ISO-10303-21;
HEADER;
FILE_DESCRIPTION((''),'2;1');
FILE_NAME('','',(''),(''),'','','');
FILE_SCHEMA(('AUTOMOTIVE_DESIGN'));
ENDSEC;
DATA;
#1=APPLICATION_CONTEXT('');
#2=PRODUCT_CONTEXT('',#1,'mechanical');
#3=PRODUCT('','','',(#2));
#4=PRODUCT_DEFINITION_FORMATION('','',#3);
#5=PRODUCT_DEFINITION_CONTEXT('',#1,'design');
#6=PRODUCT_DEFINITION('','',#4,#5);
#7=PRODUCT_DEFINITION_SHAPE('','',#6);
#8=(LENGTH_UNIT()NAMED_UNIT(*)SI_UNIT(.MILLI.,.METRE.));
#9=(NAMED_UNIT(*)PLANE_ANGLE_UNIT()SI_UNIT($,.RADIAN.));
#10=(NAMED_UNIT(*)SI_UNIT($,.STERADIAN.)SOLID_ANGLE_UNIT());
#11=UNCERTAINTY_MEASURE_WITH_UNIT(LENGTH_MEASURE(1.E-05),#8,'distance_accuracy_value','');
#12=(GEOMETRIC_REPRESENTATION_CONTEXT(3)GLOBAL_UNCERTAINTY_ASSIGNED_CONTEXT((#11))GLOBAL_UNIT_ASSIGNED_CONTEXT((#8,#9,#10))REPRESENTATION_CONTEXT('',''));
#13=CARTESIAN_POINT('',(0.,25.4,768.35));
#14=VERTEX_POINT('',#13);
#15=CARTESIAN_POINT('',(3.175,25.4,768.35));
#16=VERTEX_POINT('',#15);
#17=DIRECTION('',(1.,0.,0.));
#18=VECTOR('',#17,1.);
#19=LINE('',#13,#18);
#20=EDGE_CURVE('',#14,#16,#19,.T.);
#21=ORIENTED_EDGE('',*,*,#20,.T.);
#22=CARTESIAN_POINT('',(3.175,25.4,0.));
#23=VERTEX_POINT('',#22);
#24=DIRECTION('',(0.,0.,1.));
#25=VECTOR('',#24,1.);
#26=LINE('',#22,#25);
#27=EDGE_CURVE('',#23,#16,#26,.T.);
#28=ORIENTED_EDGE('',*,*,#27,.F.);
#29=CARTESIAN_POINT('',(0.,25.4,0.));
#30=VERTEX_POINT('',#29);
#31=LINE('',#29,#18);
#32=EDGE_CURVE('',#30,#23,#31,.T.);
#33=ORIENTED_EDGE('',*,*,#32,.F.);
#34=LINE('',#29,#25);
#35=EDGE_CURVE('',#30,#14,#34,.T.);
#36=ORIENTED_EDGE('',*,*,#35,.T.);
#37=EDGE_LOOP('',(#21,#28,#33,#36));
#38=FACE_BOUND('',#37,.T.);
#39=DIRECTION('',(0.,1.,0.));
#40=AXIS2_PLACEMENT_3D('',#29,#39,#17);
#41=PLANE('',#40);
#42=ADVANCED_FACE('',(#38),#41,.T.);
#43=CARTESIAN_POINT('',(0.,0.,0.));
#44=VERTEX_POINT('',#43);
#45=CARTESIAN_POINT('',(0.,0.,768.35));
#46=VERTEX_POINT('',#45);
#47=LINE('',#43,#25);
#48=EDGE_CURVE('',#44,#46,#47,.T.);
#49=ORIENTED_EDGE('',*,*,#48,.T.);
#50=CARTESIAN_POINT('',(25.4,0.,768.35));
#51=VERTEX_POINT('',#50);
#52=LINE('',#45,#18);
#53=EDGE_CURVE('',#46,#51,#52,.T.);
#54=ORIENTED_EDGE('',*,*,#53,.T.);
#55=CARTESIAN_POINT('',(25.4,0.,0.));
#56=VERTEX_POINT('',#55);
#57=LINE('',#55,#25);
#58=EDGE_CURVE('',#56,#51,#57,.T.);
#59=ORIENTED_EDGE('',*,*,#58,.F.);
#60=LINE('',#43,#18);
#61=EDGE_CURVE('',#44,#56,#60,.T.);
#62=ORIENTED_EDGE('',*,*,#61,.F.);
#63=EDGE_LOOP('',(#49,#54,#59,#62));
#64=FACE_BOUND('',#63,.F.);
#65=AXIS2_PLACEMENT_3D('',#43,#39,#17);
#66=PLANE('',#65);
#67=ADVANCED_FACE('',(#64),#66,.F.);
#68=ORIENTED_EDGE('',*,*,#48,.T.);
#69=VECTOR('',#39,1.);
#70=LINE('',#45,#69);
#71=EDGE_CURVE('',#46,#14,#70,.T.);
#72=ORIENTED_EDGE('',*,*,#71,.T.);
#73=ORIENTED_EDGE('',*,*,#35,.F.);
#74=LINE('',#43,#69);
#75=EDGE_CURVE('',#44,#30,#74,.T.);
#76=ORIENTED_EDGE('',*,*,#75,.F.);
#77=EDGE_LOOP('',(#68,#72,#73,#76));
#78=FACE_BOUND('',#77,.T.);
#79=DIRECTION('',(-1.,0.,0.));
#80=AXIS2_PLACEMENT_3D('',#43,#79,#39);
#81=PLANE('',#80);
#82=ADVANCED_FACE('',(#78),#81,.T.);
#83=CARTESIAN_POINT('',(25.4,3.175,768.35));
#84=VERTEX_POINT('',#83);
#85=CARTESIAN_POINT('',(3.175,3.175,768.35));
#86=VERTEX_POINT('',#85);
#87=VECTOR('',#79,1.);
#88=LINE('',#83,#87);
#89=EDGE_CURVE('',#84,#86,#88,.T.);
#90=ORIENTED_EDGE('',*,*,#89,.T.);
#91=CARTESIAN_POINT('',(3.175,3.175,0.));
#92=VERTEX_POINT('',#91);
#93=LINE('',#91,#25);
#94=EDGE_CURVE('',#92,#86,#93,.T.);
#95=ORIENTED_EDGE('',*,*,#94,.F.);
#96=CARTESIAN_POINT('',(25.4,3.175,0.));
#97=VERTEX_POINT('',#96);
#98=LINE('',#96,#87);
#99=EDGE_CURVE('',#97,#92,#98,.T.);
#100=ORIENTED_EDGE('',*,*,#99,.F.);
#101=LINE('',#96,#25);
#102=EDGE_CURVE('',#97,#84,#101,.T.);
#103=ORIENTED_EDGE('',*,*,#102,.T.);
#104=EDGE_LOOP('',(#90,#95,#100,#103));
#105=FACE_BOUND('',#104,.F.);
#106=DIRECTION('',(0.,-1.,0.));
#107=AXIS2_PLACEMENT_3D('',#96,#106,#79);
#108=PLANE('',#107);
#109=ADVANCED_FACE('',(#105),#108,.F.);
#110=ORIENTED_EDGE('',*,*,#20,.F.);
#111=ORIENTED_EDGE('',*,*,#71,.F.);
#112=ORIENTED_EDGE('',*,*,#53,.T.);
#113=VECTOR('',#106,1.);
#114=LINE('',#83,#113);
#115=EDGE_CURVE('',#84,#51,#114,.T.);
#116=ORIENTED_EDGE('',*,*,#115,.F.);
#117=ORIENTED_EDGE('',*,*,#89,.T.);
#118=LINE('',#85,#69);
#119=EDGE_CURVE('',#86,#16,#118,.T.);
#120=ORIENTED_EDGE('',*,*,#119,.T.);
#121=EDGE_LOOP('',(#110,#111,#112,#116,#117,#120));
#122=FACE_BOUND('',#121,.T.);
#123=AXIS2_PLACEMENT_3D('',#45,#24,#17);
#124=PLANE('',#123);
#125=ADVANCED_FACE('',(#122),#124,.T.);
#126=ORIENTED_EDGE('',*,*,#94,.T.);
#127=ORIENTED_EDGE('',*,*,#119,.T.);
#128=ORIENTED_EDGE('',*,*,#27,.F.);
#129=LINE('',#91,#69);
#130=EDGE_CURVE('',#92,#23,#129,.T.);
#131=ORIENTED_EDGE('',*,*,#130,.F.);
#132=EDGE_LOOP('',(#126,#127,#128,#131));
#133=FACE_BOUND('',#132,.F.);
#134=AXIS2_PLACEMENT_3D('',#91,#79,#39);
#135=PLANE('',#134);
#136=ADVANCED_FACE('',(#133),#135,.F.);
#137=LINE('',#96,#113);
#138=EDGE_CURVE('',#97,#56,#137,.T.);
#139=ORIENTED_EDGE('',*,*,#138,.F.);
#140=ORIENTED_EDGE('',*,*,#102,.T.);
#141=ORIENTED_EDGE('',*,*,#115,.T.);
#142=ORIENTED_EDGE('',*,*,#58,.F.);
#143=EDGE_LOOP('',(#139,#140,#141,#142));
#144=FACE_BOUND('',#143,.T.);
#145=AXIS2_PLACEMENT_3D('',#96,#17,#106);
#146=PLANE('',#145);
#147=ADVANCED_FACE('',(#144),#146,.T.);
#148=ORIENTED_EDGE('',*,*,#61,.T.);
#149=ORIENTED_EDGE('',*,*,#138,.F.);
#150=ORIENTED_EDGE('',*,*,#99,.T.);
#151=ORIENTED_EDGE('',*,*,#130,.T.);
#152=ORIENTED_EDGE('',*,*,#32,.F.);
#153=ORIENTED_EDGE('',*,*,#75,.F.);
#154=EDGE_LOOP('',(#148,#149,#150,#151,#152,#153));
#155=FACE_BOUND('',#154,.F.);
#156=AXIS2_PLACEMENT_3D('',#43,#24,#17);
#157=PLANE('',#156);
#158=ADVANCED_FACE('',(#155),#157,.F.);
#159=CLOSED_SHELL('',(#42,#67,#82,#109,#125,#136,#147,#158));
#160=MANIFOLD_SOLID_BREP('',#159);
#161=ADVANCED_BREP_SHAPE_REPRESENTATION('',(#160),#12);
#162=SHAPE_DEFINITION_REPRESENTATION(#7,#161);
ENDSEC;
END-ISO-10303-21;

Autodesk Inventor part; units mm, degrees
ref_plane "YZ Plane" through (0, 0, 0) normal (1, 0, 0) x (0, 1, 0)
ref_plane "XZ Plane" through (0, 0, 0) normal (0, 1, 0) x (-1, 0, 0)
ref_plane "XY Plane" through (0, 0, 0) normal (0, 0, 1) x (1, 0, 0)
sketch "Sketch1" plane through (0, 0, 0) normal (0, 0, 1) x (1, 0, 0)
  line L0 (0, 0) -> (0, 25.4)
  line L1 (0, 0) -> (25.4, 0)
  line L2 (25.4, 3.175) -> (3.175, 3.175)
  line L3 (3.175, 3.175) -> (3.175, 25.4)
  line L4 (25.4, 3.175) -> (25.4, 0)
  line L5 (0, 25.4) -> (3.175, 25.4)
  dimension "d0" = 25.4
  dimension "d1" = 25.4
  dimension "d2" = 3.175
extrude "Extrusion1" add sketch "Sketch1" along normal blind 768.35
properties part number "31.25 L bracket"
